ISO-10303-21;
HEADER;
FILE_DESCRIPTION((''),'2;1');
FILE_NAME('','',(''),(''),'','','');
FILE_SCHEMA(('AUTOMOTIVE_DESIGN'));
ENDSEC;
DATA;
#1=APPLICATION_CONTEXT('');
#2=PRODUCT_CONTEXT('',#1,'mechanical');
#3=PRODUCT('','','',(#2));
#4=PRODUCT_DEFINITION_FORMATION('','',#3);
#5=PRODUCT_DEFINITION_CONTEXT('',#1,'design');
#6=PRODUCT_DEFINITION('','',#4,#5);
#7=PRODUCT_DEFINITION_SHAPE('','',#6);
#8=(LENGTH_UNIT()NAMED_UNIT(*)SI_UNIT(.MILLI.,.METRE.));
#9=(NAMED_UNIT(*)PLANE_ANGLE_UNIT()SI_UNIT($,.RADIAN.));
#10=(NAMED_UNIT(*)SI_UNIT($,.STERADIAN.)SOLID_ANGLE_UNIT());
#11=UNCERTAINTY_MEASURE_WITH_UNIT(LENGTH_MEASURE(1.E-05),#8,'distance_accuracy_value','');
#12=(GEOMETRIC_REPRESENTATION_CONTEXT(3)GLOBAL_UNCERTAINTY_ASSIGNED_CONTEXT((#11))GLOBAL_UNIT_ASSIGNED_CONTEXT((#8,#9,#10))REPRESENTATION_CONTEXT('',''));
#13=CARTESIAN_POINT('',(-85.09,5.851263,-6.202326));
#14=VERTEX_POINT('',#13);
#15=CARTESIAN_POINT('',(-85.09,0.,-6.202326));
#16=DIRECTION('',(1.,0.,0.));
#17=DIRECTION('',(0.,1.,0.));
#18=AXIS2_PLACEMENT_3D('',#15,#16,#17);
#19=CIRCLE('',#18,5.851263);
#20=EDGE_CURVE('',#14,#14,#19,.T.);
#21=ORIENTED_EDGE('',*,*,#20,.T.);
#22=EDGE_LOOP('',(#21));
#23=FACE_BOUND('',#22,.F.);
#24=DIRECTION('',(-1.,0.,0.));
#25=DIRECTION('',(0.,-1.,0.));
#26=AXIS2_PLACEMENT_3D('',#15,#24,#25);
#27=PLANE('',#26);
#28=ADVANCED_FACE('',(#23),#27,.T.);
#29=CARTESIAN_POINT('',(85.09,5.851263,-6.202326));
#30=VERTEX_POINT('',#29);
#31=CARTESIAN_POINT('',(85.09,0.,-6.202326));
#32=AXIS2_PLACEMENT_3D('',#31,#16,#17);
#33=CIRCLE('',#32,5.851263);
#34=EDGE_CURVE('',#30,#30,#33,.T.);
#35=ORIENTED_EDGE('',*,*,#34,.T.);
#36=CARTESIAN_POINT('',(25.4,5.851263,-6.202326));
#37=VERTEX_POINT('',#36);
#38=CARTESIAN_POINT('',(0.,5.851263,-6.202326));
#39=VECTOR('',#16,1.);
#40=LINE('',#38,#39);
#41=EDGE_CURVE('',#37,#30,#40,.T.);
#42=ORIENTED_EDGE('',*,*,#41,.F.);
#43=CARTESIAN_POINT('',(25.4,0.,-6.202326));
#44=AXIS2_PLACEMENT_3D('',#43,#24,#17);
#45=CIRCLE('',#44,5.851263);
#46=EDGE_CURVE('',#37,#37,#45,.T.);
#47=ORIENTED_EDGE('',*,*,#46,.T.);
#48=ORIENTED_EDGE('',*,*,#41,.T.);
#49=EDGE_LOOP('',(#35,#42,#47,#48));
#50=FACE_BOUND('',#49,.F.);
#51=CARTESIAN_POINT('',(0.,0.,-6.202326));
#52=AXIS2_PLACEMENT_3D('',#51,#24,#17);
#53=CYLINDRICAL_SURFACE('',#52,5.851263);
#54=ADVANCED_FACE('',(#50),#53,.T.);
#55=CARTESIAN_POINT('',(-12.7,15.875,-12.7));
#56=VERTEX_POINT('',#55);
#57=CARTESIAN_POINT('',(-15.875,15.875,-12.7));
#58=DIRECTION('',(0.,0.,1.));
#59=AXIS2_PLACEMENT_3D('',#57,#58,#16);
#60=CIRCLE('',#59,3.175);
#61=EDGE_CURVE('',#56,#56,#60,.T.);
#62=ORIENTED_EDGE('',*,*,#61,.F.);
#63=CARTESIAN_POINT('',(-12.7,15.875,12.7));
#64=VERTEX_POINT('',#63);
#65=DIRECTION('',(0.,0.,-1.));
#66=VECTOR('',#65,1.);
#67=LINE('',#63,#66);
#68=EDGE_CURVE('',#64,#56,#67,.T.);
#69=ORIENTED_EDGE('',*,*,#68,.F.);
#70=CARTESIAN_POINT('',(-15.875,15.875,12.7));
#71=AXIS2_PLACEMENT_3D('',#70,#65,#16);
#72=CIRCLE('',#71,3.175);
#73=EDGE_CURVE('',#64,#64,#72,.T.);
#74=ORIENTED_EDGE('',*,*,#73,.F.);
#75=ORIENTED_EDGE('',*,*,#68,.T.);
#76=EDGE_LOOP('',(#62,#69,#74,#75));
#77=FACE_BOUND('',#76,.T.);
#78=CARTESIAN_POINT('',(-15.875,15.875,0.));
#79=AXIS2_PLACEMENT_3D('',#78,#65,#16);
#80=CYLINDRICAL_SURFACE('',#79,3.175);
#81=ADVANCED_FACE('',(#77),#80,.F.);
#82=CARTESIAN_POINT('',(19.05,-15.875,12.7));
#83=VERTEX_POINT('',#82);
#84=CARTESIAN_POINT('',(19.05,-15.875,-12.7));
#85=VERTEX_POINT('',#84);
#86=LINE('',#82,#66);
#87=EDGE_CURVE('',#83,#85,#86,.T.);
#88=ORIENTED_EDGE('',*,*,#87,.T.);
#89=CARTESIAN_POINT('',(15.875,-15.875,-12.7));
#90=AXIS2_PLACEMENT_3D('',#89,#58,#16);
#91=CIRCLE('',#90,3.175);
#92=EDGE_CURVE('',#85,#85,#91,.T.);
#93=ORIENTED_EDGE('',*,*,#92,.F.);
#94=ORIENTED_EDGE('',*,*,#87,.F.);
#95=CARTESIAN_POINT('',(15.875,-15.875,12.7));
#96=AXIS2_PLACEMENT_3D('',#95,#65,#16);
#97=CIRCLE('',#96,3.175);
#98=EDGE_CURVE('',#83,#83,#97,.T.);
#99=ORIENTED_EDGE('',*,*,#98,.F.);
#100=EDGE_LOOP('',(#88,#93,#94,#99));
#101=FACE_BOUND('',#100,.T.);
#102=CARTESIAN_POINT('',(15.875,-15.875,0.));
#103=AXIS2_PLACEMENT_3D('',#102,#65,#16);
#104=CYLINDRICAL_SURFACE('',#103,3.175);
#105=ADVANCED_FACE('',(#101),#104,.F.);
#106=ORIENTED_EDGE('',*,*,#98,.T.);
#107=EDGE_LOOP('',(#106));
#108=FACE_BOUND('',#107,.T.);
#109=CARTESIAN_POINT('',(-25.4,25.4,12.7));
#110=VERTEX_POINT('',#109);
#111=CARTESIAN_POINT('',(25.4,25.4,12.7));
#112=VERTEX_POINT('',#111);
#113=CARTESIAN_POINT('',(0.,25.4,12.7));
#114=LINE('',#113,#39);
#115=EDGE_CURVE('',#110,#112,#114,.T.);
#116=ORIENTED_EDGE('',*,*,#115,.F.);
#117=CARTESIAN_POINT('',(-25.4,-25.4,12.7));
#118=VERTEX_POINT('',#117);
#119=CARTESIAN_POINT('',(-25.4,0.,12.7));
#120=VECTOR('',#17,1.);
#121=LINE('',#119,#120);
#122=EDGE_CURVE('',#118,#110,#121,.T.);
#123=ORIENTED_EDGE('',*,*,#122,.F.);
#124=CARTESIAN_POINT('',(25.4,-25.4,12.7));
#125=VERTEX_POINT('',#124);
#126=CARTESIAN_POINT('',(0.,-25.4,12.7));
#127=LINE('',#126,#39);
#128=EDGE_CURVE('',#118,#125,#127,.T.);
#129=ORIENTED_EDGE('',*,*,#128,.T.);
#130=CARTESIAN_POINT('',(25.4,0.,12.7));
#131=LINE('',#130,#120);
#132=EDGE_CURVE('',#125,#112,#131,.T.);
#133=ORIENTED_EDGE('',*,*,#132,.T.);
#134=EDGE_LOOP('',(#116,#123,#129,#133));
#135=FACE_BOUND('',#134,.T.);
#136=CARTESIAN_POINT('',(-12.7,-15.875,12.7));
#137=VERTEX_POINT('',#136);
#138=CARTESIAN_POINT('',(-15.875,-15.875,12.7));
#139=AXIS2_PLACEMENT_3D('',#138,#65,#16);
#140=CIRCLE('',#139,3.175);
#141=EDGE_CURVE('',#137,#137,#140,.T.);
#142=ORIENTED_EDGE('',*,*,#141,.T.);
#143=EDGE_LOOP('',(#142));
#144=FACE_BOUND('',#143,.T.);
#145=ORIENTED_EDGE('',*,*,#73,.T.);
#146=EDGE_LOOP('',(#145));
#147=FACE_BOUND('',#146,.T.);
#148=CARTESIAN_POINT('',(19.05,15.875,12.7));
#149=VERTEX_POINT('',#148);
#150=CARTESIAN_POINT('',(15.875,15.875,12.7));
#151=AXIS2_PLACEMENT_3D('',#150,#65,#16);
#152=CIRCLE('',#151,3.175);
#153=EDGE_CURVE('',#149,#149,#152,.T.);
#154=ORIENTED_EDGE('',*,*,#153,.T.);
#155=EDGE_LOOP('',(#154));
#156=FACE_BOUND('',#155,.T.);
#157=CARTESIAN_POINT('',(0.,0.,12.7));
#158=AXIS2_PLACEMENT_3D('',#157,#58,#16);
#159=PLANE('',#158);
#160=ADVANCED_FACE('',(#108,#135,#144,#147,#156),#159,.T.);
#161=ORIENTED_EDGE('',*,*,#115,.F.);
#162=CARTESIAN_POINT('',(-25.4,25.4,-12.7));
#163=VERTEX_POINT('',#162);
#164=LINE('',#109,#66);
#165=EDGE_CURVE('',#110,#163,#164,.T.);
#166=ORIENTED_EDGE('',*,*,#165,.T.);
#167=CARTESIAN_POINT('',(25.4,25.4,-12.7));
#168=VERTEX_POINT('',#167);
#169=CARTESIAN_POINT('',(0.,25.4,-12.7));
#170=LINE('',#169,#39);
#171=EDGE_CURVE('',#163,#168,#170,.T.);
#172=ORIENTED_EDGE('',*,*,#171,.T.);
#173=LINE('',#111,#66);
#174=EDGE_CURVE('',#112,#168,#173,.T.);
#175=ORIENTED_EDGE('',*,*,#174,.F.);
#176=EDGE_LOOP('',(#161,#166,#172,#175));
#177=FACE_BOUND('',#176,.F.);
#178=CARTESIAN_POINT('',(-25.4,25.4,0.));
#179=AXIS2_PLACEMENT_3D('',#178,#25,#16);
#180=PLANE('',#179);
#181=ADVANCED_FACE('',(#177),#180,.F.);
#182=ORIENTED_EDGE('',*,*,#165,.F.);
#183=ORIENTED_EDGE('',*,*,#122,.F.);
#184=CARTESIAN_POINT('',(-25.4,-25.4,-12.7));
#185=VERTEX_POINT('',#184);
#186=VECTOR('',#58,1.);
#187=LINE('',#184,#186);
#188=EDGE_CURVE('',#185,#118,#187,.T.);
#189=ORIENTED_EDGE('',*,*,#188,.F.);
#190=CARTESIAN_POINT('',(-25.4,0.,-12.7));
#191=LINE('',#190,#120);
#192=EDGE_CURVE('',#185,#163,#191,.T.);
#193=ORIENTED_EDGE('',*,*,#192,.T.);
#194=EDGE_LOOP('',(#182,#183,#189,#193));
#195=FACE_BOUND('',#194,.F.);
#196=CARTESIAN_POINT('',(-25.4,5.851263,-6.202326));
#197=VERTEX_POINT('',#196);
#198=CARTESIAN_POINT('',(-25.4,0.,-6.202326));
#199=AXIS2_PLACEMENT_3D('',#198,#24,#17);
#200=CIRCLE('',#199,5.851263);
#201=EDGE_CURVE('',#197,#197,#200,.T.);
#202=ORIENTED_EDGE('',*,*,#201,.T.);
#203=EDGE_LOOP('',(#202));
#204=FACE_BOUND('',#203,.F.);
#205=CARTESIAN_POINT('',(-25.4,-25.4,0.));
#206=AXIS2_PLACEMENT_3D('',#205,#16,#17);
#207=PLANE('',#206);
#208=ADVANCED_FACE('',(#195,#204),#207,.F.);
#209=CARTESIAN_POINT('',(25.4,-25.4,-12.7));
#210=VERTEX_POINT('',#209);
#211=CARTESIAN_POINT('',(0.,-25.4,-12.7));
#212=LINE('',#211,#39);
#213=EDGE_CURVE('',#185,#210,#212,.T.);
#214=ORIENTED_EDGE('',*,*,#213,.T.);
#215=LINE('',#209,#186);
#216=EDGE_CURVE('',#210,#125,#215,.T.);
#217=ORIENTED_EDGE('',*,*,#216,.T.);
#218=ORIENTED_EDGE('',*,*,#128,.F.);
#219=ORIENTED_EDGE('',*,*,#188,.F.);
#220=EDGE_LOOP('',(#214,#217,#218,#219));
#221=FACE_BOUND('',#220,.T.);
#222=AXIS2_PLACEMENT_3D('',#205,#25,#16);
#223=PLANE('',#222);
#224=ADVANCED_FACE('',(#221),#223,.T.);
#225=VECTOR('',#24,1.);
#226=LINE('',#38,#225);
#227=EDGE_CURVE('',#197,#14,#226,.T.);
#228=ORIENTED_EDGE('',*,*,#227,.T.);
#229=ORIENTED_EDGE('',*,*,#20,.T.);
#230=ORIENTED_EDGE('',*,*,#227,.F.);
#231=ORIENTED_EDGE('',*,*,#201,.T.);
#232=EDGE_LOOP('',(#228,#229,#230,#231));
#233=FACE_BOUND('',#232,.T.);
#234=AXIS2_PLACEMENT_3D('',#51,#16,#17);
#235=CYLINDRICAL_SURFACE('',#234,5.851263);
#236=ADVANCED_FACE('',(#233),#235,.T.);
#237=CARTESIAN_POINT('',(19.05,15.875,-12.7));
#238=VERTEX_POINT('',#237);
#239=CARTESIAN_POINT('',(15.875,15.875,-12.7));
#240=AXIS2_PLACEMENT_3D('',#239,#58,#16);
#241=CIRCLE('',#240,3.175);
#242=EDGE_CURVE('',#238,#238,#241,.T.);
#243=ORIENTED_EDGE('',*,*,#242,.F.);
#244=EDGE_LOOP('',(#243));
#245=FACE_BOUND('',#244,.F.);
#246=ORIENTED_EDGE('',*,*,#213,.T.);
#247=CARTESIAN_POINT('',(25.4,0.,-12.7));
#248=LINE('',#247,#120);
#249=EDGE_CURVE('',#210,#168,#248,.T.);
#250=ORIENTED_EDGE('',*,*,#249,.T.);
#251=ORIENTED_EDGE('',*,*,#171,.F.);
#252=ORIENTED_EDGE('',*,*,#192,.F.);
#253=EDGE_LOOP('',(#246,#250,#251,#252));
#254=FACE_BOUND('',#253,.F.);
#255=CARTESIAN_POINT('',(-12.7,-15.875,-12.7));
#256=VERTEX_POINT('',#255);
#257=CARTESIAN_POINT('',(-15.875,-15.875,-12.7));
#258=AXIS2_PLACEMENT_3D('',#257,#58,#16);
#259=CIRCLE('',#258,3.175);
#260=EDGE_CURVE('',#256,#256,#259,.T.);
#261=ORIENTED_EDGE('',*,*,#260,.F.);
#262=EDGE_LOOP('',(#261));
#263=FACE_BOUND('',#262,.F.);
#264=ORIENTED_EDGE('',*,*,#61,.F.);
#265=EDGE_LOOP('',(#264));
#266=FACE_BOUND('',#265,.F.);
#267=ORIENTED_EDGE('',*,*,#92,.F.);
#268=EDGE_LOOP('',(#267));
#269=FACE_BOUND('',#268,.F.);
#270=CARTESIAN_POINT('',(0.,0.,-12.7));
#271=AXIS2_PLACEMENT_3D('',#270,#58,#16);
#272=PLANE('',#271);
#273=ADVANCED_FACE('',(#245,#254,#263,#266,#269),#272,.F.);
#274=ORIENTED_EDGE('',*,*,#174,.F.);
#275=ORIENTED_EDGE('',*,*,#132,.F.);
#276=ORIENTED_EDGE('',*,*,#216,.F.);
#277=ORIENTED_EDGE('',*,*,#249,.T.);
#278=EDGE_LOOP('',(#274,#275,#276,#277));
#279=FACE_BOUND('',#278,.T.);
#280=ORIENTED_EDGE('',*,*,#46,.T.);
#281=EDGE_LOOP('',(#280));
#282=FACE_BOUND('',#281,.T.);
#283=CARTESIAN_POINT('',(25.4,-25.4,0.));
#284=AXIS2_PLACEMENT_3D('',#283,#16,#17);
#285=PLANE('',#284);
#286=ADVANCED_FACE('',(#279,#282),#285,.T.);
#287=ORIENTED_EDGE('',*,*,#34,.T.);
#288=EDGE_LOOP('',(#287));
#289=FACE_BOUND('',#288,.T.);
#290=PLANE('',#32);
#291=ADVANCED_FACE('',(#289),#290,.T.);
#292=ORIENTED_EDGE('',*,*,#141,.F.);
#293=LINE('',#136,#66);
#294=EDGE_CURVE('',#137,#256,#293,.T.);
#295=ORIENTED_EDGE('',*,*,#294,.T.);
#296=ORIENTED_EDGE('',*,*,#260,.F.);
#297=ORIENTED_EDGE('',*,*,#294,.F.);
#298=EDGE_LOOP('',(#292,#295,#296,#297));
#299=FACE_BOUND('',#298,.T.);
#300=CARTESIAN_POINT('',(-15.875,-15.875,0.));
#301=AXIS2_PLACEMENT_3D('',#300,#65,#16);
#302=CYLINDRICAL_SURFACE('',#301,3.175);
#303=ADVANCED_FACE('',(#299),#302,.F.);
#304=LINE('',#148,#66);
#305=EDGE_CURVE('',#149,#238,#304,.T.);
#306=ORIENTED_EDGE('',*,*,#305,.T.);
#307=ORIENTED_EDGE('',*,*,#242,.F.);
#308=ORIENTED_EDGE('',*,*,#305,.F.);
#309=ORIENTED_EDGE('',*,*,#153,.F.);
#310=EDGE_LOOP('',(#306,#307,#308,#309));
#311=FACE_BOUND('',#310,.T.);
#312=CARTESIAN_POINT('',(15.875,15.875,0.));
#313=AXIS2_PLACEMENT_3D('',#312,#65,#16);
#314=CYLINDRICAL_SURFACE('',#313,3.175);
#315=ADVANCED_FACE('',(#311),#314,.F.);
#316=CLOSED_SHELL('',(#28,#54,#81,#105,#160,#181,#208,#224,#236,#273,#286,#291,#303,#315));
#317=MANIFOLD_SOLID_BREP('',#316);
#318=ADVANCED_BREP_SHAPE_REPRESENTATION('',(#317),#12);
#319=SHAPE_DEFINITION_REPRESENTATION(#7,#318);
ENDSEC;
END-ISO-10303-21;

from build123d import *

# Parameters (mm, degrees)
F0_W     = 50.8
F0_H     = 50.8
F0_R     = 3.175
F1_DEPTH = 12.7
F2_R     = 5.851263
F3_DEPTH = 85.09


with BuildPart() as f1:
    # F0 (on Top) → F1 (new body, symmetric)
    with BuildSketch(Plane.XY):
        Rectangle(F0_W, F0_H)
        with Locations((-15.875, -15.875)):
            Circle(F0_R, mode=Mode.SUBTRACT)
        with Locations((15.875, -15.875)):
            Circle(F0_R, mode=Mode.SUBTRACT)
        with Locations((-15.875, 15.875)):
            Circle(F0_R, mode=Mode.SUBTRACT)
        with Locations((15.875, 15.875)):
            Circle(F0_R, mode=Mode.SUBTRACT)
    extrude(amount=F1_DEPTH, both=True)

    # F2 (on Right) → F3 (join)
    with BuildSketch(Plane.YZ):
        with Locations((0, -6.202326)):
            Circle(F2_R)
    extrude(amount=F3_DEPTH)

    # F4: F1 across plane


with BuildPart() as f1_1:
    add(f1.part)
    add(f1.part.mirror(Plane.YZ))


solid = f1_1.part
